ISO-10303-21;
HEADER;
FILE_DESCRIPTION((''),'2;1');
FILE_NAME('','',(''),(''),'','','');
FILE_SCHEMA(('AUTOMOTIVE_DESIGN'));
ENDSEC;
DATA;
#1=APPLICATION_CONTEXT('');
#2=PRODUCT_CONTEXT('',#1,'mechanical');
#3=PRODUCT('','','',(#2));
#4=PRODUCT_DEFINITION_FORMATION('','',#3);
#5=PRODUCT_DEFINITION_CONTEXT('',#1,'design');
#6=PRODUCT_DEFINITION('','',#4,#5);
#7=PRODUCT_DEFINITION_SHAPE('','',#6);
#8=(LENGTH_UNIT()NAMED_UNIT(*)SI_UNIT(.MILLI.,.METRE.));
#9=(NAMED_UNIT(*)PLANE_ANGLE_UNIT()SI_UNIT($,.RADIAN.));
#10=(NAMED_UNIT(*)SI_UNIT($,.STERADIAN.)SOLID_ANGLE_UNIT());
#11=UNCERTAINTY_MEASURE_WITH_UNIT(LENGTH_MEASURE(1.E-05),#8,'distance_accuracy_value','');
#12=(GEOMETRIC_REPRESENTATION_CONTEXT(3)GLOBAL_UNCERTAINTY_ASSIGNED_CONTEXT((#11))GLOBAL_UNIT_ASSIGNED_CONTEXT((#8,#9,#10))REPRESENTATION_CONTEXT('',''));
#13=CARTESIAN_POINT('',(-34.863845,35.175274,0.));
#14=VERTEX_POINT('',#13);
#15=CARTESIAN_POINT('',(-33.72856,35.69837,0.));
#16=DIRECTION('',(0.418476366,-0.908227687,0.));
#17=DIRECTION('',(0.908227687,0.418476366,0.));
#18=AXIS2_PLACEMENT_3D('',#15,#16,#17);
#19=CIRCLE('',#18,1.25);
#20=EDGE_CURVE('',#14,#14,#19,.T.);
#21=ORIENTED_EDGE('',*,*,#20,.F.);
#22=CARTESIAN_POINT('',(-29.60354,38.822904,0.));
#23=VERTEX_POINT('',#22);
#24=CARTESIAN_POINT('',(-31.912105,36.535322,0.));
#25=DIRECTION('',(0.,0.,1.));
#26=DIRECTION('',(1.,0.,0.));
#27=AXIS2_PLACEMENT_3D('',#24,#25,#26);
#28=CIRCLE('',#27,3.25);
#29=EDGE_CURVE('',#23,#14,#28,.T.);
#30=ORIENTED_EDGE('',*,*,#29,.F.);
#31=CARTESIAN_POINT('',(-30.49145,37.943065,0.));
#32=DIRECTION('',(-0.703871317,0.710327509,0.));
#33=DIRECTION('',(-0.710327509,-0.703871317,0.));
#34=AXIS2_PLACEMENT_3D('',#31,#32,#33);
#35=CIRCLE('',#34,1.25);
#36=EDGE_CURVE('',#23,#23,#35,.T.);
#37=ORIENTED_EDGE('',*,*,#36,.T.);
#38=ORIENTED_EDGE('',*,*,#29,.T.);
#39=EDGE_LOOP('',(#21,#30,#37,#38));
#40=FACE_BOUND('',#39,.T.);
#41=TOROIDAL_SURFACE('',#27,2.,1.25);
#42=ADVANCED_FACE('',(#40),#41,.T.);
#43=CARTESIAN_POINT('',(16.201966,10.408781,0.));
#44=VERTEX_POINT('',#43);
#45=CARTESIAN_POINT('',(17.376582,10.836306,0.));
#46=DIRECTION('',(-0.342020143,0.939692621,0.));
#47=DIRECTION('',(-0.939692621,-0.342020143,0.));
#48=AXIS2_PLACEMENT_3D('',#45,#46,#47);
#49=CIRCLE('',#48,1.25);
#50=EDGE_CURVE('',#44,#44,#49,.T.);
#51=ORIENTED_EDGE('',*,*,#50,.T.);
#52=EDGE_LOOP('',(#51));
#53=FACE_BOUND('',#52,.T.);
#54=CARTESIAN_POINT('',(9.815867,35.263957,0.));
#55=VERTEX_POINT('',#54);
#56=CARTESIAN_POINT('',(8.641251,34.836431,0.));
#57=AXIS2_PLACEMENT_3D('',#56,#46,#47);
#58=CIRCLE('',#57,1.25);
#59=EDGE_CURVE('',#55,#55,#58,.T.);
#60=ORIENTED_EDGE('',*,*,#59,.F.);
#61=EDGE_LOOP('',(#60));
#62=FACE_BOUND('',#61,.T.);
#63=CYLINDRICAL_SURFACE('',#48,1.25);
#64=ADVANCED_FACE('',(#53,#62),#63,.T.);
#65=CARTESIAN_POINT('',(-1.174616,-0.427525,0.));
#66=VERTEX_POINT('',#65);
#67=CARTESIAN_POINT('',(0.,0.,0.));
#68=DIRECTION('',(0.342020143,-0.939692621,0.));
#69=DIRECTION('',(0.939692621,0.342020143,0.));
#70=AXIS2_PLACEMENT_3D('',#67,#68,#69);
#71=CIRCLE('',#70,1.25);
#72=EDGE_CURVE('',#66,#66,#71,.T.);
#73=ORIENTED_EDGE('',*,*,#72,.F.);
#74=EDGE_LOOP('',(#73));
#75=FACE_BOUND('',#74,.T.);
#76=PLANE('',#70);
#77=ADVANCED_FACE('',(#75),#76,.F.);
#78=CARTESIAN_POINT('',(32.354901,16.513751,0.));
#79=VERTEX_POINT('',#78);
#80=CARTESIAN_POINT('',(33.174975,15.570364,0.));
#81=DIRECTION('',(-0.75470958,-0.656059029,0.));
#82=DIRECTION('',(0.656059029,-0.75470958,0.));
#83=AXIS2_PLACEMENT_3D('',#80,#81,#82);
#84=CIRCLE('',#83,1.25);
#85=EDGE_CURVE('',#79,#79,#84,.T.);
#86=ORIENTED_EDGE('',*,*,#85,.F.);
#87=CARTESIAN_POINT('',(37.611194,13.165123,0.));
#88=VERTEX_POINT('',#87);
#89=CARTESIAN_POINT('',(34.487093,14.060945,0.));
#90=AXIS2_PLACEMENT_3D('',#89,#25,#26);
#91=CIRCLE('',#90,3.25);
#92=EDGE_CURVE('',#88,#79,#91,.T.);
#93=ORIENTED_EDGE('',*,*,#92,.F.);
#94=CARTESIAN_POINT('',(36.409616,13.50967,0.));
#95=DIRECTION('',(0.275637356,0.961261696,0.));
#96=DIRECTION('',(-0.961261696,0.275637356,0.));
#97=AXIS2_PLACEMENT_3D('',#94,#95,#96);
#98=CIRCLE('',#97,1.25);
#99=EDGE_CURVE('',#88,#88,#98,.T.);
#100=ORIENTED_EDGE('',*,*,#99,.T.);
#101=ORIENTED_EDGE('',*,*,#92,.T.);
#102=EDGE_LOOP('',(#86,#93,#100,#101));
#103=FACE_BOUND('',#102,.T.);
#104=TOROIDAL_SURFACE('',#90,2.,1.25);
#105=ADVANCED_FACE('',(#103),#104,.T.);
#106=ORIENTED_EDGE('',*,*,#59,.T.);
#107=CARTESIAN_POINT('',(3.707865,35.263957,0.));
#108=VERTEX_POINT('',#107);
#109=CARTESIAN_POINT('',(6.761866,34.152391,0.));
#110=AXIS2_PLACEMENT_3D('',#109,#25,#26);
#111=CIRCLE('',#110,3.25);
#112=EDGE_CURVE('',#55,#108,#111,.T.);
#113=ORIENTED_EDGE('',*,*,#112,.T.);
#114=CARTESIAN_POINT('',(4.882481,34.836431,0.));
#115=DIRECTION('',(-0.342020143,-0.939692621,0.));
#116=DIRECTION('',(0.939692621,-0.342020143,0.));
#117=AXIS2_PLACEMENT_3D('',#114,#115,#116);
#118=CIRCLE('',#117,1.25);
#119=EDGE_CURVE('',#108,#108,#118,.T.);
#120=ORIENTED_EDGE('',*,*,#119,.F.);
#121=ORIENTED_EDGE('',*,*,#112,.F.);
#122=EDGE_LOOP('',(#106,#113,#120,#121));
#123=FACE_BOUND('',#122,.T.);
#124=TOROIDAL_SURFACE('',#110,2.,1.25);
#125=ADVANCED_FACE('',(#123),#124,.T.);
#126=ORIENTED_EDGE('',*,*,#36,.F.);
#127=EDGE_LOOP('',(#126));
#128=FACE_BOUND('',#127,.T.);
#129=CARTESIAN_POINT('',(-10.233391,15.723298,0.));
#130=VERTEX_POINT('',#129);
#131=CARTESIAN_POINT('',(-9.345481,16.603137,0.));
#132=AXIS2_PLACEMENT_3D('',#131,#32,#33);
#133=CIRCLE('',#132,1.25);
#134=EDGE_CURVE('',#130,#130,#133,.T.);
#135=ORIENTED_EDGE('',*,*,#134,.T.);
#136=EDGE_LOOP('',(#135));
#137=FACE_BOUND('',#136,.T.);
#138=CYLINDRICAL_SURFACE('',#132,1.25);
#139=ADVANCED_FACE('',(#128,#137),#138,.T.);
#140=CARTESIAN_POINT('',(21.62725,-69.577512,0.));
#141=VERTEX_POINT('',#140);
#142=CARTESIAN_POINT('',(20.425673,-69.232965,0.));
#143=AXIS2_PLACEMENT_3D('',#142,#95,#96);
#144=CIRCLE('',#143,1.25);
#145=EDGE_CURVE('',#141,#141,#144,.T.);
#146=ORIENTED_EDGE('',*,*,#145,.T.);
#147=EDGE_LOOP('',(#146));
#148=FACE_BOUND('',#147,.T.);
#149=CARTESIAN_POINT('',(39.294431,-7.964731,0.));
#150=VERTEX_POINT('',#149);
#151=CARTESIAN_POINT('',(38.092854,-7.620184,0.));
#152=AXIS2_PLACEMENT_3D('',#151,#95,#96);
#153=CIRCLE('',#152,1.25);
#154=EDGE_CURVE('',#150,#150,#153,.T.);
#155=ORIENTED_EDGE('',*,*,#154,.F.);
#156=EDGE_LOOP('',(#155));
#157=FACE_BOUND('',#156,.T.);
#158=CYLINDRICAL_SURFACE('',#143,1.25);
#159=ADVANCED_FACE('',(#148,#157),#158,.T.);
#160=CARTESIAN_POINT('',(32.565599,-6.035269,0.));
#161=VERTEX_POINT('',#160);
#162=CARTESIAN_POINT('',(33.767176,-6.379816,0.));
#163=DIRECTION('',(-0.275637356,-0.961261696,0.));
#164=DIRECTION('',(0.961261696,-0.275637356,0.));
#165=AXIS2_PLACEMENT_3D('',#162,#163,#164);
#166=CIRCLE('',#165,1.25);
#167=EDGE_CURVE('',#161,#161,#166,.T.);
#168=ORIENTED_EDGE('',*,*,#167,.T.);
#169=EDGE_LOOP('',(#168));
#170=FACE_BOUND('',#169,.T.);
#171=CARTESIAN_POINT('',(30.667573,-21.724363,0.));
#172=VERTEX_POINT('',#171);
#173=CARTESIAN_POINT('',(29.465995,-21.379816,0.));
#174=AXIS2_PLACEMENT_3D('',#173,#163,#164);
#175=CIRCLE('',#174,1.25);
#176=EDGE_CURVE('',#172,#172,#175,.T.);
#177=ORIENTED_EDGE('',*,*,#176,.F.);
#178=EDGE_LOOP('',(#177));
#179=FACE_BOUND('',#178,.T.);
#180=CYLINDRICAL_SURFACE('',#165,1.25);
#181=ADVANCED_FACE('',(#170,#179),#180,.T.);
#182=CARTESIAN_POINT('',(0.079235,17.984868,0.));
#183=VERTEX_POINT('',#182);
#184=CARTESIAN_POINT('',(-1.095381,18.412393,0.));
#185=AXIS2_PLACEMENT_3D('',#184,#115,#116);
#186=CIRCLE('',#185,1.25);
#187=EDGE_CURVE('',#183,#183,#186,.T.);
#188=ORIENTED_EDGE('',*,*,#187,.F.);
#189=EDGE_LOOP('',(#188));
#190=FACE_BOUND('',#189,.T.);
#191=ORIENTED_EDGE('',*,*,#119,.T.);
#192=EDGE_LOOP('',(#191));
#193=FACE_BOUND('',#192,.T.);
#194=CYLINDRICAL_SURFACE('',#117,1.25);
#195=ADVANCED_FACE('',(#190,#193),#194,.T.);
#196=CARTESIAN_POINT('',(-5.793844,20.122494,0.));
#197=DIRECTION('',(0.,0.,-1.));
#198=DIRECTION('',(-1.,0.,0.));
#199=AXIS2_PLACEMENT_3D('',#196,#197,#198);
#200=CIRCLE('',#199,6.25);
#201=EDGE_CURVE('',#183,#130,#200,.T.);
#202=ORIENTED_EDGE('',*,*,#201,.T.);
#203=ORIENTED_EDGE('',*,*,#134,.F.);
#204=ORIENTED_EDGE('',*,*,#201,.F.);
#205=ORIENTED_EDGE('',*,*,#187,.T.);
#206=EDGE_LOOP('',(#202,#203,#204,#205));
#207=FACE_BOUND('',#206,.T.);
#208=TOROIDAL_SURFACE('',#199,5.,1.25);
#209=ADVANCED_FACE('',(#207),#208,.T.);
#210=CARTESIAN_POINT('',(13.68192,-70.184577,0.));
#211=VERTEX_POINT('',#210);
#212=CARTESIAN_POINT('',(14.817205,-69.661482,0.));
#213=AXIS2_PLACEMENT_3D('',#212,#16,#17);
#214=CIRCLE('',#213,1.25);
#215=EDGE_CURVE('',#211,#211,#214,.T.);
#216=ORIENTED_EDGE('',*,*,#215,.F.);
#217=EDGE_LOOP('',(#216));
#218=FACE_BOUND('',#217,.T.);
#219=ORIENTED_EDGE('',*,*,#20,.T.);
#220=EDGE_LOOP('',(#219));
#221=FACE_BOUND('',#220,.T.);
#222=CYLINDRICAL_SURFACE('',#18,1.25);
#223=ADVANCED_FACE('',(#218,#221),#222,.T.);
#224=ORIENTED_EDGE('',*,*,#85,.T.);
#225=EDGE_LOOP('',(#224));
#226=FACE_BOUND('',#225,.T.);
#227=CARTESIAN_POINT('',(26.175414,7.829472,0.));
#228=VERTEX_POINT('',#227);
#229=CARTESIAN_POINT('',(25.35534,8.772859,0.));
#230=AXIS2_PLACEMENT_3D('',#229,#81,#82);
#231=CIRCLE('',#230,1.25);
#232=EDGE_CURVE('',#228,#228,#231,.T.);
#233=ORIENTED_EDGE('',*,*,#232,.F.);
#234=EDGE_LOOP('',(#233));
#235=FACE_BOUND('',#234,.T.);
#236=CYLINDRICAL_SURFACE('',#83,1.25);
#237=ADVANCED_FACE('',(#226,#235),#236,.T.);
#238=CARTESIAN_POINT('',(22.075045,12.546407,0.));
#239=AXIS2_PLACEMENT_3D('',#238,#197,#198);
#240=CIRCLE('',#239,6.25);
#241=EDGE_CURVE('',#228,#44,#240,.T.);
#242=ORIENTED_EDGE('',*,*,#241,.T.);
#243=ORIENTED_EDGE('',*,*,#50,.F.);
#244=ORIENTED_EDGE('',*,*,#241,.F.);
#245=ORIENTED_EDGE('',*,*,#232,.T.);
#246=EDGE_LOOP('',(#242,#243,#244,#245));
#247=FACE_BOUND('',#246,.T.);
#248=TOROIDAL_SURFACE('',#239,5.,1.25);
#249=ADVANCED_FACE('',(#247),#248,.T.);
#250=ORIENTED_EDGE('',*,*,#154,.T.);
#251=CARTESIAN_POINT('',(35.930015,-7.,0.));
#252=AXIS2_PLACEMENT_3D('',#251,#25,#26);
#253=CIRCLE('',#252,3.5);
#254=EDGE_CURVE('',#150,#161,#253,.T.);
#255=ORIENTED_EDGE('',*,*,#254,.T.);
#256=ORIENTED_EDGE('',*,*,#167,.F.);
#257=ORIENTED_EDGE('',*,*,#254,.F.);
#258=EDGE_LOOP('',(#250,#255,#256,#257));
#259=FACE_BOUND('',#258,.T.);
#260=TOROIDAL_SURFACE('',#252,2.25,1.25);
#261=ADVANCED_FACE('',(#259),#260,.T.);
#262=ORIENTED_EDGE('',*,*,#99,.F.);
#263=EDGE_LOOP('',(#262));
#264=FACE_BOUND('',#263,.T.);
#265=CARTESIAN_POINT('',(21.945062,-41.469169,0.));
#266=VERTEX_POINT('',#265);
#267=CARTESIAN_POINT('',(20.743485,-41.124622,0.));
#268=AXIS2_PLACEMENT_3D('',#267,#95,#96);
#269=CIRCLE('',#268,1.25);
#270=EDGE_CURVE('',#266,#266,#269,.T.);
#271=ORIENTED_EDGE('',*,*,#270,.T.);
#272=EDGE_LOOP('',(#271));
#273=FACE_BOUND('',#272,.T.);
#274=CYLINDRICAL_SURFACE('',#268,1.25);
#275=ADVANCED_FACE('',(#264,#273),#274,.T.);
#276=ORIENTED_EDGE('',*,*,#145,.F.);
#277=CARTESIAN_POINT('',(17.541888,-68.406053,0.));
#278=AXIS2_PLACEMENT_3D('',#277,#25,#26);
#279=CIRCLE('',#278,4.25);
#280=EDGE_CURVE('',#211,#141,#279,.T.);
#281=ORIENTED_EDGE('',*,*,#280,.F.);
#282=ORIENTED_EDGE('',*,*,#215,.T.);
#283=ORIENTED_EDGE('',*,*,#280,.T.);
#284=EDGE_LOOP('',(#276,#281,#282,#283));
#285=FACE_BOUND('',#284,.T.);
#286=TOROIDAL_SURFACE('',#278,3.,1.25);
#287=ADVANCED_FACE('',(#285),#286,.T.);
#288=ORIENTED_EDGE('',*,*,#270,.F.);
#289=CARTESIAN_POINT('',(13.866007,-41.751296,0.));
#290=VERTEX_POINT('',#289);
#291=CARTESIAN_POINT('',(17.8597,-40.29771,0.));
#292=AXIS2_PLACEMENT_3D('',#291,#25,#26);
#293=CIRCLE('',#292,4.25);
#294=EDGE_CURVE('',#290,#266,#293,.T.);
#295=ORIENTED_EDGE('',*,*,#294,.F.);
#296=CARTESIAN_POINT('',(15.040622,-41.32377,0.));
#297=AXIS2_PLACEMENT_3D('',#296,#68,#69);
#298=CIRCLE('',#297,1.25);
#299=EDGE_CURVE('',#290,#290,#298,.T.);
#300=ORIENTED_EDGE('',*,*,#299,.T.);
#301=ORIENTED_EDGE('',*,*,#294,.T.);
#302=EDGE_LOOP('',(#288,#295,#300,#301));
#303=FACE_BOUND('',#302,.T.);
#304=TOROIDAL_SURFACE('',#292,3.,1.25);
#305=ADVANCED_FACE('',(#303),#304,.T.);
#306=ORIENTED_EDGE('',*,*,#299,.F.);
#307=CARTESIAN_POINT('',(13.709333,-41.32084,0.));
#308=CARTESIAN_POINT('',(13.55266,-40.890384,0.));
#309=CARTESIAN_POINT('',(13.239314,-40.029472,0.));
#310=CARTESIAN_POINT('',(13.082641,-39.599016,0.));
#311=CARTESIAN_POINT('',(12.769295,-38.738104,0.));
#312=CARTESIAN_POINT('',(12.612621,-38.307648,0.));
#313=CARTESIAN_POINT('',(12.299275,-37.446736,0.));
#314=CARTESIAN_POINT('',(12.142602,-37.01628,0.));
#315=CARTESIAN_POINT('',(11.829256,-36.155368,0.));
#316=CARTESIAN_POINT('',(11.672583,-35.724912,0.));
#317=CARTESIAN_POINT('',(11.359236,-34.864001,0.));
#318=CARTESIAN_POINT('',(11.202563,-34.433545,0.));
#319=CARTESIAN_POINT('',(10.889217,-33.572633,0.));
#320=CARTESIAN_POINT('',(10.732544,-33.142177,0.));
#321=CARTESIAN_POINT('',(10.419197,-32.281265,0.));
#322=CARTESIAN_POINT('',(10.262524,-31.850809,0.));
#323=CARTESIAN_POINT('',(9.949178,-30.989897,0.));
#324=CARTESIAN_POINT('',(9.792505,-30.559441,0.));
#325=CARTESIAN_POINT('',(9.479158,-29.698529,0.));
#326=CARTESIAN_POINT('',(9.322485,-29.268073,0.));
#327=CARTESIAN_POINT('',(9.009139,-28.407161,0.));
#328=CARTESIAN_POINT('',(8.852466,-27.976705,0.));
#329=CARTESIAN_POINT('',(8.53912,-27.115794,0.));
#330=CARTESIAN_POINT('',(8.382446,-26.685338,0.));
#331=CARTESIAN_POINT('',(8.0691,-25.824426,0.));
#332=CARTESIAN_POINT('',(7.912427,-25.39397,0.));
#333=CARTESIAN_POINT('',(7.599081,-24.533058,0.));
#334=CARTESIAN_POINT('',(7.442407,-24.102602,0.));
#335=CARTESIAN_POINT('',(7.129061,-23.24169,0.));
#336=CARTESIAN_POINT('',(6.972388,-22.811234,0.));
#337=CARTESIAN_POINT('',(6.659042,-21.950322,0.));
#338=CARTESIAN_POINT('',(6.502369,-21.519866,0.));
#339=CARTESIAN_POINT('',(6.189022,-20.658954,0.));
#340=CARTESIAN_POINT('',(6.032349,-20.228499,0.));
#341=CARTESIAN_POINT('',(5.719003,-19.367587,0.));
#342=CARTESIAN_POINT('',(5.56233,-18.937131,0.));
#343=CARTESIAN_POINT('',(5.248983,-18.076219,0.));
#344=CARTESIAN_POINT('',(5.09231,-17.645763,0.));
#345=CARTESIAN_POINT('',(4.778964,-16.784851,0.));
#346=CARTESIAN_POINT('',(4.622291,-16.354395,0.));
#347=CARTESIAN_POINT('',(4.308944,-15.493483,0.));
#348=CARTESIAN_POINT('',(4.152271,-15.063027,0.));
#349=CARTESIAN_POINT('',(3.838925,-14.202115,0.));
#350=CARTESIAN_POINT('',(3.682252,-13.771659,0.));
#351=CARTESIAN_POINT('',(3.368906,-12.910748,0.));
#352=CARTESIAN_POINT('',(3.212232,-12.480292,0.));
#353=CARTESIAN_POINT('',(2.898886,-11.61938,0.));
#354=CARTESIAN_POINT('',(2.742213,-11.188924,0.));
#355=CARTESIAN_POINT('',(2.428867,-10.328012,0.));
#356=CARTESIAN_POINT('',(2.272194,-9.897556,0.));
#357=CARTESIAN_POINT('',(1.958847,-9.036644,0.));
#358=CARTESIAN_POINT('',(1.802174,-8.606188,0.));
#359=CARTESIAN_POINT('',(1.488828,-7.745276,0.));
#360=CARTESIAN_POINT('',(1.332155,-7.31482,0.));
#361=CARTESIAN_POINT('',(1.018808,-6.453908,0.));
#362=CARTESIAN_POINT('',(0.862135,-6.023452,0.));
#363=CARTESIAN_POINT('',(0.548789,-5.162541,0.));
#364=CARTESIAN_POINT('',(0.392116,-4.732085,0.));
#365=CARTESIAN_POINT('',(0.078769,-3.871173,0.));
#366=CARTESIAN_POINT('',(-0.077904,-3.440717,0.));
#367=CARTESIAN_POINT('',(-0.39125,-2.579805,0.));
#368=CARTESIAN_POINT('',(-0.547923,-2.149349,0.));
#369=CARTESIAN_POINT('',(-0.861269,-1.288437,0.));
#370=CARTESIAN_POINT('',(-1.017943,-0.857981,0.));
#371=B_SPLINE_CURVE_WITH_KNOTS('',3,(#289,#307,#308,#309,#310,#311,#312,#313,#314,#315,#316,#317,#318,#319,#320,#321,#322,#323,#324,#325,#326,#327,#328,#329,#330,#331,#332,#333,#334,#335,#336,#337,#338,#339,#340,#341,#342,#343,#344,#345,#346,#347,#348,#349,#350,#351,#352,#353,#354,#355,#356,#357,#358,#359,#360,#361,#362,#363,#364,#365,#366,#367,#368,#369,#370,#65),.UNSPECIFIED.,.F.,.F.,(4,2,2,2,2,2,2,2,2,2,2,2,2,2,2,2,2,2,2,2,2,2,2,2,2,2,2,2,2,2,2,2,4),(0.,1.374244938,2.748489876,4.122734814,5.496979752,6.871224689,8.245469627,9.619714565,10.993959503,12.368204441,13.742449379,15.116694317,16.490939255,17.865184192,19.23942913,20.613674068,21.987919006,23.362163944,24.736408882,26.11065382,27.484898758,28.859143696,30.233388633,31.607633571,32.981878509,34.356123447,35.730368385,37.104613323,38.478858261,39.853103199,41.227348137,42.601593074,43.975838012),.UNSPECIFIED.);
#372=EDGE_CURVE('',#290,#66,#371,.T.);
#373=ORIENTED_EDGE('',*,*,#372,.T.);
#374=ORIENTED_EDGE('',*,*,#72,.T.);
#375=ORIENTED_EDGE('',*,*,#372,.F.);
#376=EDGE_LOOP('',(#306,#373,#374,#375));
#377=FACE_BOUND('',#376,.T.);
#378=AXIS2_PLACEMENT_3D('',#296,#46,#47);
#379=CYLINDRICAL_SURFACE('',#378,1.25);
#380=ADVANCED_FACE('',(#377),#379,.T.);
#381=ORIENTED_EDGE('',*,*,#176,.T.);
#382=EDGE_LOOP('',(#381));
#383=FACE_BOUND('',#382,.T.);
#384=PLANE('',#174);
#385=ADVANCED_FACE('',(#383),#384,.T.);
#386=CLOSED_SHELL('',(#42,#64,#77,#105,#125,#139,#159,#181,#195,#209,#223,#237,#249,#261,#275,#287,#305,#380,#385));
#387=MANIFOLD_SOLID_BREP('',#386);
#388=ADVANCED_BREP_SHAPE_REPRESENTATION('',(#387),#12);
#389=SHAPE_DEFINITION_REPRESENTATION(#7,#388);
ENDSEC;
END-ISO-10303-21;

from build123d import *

# Parameters (mm, degrees)
SKETCH_3_R = 1.25


with BuildPart() as part:
    # По траектории1: sweep along a path in Эскиз2
    with BuildLine(Plane.XY) as sweep_1_path:
        Line((0, 0), (15.04062242, -41.323770473))
        ThreePointArc((15.04062242, -41.323770473), (17.964398772, -43.295882524), (20.74348537, -41.12462211))
        Line((20.74348537, -41.12462211), (36.40961648, 13.5096698))
        ThreePointArc((36.40961648, 13.5096698), (35.561692304, 15.747727404), (33.17497503, 15.570363672))
        Line((33.17497503, 15.570363672), (25.355340467, 8.772859053))
        ThreePointArc((25.355340467, 8.772859053), (20.823145302, 7.705668752), (17.376582218, 10.836306237))
        Line((17.376582218, 10.836306237), (8.641251009, 34.836431486))
        ThreePointArc((8.641251009, 34.836431486), (6.761865767, 36.1523912), (4.882480526, 34.836431486))
        Line((4.882480526, 34.836431486), (-1.095380554, 18.412393153))
        ThreePointArc((-1.095380554, 18.412393153), (-4.722790944, 15.23855631), (-9.3454812, 16.603137286))
        Line((-9.3454812, 16.603137286), (-30.491449591, 37.94306503))
        ThreePointArc((-30.491449591, 37.94306503), (-33.051766313, 38.178846414), (-33.728559982, 35.698369664))
        Line((-33.728559982, 35.698369664), (14.817205025, -69.661481986))
        ThreePointArc((14.817205025, -69.661481986), (17.770438026, -71.397334373), (20.425673174, -69.232964955))
        Line((20.425673174, -69.232964955), (38.092853802, -7.620184051))
        ThreePointArc((38.092853802, -7.620184051), (36.550199036, -4.837161184), (33.76717617, -6.379815949))
        Line((33.76717617, -6.379815949), (29.465995383, -21.379815949))
    # Эскиз3 → По траектории1 (sweep)
    with BuildSketch(Plane(origin=(0, 0, 0), x_dir=(-0.9396926207859081, -0.3420201433256697, 0), z_dir=(0.34202014332566966, -0.939692620785908, 0))):
        Circle(SKETCH_3_R)
    sweep(path=sweep_1_path.line)


solid = part.part
